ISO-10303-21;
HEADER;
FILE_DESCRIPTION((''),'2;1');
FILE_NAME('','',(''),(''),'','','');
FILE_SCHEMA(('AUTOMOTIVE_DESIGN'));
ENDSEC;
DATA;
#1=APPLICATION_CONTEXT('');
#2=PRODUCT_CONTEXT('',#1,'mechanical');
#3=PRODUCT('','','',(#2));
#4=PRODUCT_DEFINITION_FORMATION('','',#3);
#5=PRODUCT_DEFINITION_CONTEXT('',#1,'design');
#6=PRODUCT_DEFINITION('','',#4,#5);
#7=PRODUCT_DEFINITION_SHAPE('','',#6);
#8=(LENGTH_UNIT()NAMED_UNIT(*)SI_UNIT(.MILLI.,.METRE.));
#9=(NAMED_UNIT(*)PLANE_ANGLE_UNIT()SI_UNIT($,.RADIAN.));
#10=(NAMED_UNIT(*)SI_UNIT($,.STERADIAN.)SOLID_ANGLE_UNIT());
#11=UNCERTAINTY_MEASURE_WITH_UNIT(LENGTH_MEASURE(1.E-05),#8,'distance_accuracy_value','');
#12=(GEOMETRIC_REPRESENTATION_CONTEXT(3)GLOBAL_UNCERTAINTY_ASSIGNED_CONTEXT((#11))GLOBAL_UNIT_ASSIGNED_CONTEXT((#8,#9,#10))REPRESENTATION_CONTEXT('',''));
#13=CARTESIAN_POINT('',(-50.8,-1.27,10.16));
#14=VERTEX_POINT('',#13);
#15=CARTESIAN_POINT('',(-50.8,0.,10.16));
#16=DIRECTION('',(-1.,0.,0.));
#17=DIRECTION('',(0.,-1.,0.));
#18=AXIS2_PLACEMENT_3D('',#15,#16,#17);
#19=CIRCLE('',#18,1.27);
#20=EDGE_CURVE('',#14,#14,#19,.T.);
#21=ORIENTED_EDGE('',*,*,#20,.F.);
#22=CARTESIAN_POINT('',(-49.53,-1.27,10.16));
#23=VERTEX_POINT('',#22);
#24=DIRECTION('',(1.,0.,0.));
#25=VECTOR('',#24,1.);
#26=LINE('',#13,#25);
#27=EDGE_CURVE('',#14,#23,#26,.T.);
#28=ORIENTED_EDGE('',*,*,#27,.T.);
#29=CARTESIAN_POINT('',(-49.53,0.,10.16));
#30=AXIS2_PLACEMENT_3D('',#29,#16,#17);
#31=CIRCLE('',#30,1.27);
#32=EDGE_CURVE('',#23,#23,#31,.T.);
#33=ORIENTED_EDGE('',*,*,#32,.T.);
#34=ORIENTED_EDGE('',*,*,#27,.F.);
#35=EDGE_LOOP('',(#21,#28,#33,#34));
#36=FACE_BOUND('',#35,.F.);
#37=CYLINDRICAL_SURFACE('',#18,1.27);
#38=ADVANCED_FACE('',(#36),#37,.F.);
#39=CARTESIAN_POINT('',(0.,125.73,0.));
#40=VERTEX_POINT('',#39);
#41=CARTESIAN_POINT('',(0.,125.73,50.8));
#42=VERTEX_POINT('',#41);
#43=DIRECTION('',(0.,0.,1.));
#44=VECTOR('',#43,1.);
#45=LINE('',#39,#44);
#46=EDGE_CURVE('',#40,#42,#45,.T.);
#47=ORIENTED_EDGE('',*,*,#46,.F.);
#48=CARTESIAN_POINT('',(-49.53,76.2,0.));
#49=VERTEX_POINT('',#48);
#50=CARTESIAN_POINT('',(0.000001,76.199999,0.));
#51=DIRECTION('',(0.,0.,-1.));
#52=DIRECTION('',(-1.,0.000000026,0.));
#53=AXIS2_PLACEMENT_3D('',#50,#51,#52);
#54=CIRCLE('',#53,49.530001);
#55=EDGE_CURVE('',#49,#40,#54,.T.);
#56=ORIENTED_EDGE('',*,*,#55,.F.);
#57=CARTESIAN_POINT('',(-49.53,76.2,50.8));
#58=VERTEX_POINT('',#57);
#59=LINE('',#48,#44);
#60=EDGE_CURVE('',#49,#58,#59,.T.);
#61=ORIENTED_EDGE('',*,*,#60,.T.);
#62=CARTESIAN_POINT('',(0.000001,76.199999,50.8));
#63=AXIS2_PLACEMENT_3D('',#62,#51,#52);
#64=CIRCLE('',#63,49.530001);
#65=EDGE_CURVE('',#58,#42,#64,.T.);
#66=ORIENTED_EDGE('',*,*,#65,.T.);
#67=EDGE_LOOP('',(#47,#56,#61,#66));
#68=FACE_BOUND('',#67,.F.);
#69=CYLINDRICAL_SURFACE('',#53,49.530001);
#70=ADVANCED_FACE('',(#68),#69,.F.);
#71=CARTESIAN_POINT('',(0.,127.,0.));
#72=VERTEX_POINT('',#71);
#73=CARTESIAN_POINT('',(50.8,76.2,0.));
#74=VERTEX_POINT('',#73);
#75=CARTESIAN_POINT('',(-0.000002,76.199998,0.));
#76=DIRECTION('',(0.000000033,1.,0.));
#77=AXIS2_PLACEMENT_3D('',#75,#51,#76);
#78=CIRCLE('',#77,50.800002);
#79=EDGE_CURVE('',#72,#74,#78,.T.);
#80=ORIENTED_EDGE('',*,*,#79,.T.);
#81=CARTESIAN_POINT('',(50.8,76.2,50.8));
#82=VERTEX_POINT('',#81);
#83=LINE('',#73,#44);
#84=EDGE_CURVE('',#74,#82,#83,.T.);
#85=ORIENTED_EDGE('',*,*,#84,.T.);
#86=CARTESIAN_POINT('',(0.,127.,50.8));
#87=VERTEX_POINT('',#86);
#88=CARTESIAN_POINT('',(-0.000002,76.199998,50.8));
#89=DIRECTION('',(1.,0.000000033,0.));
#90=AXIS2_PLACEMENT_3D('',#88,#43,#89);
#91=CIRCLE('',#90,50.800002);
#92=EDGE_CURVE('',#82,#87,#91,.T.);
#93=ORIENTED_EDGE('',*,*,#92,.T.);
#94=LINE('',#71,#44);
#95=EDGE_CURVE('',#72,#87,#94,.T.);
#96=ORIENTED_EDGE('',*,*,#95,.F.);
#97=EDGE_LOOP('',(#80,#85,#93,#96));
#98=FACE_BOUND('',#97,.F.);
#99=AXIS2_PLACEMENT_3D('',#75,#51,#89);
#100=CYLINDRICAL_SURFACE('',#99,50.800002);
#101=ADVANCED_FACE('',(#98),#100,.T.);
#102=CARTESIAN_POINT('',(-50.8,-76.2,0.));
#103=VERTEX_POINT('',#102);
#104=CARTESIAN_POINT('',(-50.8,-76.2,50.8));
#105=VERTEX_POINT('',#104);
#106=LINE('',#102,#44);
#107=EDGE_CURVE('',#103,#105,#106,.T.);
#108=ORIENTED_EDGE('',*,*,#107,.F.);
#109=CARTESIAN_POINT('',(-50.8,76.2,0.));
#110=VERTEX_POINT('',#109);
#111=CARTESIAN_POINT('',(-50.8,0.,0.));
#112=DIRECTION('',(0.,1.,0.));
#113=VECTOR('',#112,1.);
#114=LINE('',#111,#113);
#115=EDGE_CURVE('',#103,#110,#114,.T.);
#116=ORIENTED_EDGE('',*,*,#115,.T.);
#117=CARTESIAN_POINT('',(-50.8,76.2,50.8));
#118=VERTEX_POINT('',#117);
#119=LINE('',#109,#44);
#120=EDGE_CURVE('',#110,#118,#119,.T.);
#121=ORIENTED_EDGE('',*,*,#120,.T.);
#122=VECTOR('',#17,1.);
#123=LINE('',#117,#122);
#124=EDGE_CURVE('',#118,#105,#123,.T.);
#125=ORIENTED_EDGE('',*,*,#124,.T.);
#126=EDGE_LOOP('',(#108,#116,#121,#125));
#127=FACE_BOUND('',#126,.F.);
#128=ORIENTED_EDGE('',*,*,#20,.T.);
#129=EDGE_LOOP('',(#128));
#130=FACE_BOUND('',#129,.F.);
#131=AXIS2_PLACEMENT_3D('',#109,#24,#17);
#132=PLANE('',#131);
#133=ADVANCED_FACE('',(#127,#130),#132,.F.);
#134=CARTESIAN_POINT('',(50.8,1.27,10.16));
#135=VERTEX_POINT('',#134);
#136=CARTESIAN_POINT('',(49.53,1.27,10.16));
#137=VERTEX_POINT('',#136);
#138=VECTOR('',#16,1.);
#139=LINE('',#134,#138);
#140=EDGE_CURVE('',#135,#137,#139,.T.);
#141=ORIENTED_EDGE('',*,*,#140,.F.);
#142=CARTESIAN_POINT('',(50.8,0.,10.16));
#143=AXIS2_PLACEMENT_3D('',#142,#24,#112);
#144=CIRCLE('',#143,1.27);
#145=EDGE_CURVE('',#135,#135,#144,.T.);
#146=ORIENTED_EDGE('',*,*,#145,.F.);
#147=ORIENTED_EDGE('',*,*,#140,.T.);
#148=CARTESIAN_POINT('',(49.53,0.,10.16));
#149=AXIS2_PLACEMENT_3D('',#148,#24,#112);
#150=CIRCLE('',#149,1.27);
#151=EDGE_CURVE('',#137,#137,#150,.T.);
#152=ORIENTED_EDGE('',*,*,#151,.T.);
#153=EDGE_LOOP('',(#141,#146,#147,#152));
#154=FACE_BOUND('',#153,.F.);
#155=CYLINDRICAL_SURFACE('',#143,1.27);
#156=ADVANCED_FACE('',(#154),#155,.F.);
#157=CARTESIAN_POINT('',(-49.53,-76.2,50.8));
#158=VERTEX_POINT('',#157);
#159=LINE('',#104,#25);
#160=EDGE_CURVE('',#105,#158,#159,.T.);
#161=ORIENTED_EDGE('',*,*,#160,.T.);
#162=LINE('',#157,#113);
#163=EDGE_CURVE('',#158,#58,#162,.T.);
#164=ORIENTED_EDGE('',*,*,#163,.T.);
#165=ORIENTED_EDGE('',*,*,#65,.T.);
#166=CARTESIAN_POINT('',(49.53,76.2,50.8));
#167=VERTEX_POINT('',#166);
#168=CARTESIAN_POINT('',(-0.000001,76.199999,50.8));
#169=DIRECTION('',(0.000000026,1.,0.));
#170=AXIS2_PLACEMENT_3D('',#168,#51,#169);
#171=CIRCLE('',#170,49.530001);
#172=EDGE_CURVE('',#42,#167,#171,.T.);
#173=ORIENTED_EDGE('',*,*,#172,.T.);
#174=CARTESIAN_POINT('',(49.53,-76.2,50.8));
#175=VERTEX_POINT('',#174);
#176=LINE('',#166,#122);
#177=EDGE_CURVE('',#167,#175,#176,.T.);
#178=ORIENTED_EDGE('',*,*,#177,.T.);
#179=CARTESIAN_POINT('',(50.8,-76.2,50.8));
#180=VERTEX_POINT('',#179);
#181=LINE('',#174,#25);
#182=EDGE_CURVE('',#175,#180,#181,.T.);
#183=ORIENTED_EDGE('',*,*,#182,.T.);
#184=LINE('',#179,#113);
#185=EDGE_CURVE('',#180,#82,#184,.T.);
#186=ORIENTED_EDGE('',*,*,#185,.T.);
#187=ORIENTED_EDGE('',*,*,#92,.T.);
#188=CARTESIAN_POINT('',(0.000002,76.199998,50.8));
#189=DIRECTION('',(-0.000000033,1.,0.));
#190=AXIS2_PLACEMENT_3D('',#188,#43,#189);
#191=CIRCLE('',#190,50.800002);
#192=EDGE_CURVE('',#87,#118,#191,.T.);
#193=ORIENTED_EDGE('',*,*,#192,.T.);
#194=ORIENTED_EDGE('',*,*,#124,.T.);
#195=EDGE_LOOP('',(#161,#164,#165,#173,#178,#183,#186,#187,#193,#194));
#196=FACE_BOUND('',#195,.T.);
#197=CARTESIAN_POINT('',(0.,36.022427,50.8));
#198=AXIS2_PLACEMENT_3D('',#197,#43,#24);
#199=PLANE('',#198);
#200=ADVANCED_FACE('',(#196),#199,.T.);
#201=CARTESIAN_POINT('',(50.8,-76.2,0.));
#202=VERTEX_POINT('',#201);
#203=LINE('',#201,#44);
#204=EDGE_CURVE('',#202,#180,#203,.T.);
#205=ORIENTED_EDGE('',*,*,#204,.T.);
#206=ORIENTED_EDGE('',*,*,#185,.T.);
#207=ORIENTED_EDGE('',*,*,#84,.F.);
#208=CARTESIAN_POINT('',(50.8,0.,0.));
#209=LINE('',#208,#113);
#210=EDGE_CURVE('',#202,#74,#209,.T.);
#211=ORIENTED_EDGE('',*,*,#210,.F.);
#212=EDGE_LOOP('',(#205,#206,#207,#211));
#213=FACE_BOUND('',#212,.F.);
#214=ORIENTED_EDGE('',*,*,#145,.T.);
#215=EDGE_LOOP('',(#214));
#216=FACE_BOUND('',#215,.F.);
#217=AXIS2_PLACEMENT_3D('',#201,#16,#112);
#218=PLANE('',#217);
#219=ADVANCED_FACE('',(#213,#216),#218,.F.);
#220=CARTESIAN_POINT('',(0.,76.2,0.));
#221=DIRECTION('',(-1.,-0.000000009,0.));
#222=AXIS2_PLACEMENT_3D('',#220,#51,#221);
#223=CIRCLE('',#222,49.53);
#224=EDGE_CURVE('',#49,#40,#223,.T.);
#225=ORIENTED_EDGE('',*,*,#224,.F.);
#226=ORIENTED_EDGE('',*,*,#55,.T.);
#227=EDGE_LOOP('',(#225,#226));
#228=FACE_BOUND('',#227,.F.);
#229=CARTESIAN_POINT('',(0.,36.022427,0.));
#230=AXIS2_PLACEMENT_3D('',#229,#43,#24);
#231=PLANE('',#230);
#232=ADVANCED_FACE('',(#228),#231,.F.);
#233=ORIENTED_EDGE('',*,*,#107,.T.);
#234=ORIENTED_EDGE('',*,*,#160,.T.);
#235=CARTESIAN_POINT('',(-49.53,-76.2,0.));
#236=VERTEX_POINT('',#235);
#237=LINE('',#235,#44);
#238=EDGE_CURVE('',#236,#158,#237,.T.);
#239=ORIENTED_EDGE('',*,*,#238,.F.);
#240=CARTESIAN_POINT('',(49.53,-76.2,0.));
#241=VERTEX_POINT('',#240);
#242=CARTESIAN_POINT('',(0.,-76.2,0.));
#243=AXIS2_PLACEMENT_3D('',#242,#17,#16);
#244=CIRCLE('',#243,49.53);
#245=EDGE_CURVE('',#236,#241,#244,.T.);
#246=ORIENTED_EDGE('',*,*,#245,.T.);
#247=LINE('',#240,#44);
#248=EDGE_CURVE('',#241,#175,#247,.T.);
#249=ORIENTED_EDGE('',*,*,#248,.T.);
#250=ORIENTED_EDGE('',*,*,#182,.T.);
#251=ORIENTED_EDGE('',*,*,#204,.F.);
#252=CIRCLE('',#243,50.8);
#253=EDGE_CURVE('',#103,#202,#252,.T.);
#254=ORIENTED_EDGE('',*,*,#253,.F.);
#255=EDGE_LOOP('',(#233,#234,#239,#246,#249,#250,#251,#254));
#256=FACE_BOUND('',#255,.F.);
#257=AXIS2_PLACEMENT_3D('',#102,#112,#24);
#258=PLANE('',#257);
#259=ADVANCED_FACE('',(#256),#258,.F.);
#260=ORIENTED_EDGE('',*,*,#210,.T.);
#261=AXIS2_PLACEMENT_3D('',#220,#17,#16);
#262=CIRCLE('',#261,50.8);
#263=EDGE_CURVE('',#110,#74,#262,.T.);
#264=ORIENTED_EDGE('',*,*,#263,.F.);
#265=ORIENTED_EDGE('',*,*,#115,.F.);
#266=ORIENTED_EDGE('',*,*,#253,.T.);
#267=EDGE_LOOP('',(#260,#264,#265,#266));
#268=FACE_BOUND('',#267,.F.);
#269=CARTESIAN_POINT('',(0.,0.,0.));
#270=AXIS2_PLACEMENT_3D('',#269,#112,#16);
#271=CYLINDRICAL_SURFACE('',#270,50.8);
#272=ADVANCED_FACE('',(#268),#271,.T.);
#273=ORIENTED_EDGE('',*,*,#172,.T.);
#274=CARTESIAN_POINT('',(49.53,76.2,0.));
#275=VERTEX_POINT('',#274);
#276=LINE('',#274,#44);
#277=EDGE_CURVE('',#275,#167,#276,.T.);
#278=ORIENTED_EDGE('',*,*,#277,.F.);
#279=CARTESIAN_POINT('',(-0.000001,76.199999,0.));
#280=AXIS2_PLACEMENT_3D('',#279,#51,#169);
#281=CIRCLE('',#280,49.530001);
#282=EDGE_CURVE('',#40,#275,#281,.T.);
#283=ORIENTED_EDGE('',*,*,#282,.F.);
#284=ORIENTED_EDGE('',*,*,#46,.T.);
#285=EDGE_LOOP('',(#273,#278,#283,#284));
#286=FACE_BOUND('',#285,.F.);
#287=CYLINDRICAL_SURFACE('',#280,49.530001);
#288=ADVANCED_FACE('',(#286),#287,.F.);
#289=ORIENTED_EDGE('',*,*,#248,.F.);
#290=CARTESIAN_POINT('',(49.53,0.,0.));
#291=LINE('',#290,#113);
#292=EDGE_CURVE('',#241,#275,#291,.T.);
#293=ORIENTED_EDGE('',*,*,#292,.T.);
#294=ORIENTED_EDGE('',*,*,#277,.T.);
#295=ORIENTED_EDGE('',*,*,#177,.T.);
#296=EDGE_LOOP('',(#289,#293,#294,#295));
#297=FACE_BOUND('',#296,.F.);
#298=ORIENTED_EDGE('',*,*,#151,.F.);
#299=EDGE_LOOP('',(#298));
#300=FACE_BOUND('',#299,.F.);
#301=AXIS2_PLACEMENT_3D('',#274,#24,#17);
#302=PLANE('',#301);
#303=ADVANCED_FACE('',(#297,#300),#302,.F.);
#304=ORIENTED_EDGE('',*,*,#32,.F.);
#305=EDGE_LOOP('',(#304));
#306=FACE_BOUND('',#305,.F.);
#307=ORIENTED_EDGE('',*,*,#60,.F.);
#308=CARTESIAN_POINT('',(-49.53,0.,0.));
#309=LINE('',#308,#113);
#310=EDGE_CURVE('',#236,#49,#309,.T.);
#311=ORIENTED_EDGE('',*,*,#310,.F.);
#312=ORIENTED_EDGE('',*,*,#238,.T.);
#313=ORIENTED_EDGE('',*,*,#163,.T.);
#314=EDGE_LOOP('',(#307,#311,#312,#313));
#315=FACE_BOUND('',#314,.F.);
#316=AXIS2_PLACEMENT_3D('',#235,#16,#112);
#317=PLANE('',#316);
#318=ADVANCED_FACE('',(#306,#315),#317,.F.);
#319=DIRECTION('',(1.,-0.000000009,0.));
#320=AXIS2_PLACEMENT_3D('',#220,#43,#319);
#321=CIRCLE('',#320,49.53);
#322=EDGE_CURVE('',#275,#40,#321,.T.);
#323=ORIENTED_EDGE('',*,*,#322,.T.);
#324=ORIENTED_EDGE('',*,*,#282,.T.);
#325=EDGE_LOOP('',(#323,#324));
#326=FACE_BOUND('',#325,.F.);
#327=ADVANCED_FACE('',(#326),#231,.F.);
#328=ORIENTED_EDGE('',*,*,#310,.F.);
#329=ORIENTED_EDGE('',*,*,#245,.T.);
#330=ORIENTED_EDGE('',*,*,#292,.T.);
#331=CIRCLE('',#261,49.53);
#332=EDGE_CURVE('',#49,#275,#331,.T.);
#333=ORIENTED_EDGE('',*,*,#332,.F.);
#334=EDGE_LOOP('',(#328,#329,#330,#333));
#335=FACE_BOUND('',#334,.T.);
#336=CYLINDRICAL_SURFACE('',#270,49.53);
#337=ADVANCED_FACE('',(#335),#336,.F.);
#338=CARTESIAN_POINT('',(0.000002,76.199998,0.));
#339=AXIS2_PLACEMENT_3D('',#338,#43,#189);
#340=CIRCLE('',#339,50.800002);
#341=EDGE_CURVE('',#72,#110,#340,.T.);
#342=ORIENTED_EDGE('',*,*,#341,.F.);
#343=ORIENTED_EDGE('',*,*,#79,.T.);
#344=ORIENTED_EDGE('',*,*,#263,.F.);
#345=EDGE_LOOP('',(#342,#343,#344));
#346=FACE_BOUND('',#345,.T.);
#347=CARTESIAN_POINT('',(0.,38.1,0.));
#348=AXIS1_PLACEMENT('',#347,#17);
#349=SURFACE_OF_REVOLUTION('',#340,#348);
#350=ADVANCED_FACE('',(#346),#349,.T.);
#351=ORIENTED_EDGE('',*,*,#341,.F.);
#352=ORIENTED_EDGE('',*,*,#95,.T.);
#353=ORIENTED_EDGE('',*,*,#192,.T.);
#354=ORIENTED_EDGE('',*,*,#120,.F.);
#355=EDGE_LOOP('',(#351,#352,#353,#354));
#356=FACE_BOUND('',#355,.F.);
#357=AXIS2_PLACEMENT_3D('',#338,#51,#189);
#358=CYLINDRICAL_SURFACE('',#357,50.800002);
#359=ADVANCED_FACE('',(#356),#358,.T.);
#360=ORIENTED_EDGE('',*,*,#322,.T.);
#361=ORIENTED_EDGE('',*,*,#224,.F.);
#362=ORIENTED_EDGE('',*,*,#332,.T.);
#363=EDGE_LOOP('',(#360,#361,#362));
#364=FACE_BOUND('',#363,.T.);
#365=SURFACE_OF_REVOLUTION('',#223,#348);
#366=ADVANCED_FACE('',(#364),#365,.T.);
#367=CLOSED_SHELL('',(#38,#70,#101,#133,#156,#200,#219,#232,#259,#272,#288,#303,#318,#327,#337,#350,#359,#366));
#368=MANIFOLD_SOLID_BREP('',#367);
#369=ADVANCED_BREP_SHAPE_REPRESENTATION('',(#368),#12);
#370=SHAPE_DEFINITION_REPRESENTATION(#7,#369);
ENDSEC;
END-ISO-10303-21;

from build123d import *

# Parameters (mm, degrees)
F0_W     = 1.27
F0_H     = 152.4
F1_ANGLE = 180
F2_DEPTH = 50.8
F3_R     = 1.27
F4_DEPTH = 25.4
F5_R     = 1.27
F6_DEPTH = 25.4


with BuildPart() as f1:
    # F0 (on Top) → F1 (revolve)
    with BuildSketch(Plane.XY):
        with Locations((-50.165, 0)):
            Rectangle(F0_W, F0_H)
        with BuildLine():
            Line((-50.8, 76.2), (-49.53, 76.2))
            ThreePointArc((-49.53, 76.2), (-35.022999, 111.222999), (0, 125.73))
            Line((0, 125.73), (0, 127))
            ThreePointArc((0, 127), (-35.921024, 112.121024), (-50.8, 76.2))
        make_face()
    revolve(axis=Axis((0, 38.1, 0), (0, -1, 0)), revolution_arc=F1_ANGLE)

    # F1_face (on face) → F2 (join)
    with BuildSketch(Plane(origin=(0, 36.856324, 0), x_dir=(1, 0, 0), z_dir=(0, 0, 1))):
        with BuildLine():
            Line((-50.8, 39.343676), (-50.8, -113.056324))
            Line((-50.8, -113.056324), (-49.53, -113.056324))
            Line((-49.53, -113.056324), (-49.53, 39.343676))
            ThreePointArc((-49.53, 39.343676), (-35.022999, 74.366674), (0, 88.873676))
            ThreePointArc((0, 88.873676), (35.022999, 74.366674), (49.53, 39.343676))
            Line((49.53, 39.343676), (49.53, -113.056324))
            Line((49.53, -113.056324), (50.8, -113.056324))
            Line((50.8, -113.056324), (50.8, 39.343676))
            ThreePointArc((50.8, 39.343676), (35.921024, 75.2647), (0, 90.143676))
            ThreePointArc((0, 90.143676), (-35.921024, 75.2647), (-50.8, 39.343676))
        make_face()
    extrude(amount=F2_DEPTH)

    # F3 (on face) → F4 (cut)
    with BuildSketch(Plane(origin=(-50.8, 0, 0), x_dir=(0, -1, 0), z_dir=(-1, 0, 0))):
        with Locations((0, 10.16)):
            Circle(F3_R)
    extrude(amount=-F4_DEPTH, mode=Mode.SUBTRACT)

    # F5 (on face) → F6 (cut)
    with BuildSketch(Plane.YZ.offset(50.8)):
        with Locations((0, 10.16)):
            Circle(F5_R)
    extrude(amount=-F6_DEPTH, mode=Mode.SUBTRACT)


solid = f1.part
